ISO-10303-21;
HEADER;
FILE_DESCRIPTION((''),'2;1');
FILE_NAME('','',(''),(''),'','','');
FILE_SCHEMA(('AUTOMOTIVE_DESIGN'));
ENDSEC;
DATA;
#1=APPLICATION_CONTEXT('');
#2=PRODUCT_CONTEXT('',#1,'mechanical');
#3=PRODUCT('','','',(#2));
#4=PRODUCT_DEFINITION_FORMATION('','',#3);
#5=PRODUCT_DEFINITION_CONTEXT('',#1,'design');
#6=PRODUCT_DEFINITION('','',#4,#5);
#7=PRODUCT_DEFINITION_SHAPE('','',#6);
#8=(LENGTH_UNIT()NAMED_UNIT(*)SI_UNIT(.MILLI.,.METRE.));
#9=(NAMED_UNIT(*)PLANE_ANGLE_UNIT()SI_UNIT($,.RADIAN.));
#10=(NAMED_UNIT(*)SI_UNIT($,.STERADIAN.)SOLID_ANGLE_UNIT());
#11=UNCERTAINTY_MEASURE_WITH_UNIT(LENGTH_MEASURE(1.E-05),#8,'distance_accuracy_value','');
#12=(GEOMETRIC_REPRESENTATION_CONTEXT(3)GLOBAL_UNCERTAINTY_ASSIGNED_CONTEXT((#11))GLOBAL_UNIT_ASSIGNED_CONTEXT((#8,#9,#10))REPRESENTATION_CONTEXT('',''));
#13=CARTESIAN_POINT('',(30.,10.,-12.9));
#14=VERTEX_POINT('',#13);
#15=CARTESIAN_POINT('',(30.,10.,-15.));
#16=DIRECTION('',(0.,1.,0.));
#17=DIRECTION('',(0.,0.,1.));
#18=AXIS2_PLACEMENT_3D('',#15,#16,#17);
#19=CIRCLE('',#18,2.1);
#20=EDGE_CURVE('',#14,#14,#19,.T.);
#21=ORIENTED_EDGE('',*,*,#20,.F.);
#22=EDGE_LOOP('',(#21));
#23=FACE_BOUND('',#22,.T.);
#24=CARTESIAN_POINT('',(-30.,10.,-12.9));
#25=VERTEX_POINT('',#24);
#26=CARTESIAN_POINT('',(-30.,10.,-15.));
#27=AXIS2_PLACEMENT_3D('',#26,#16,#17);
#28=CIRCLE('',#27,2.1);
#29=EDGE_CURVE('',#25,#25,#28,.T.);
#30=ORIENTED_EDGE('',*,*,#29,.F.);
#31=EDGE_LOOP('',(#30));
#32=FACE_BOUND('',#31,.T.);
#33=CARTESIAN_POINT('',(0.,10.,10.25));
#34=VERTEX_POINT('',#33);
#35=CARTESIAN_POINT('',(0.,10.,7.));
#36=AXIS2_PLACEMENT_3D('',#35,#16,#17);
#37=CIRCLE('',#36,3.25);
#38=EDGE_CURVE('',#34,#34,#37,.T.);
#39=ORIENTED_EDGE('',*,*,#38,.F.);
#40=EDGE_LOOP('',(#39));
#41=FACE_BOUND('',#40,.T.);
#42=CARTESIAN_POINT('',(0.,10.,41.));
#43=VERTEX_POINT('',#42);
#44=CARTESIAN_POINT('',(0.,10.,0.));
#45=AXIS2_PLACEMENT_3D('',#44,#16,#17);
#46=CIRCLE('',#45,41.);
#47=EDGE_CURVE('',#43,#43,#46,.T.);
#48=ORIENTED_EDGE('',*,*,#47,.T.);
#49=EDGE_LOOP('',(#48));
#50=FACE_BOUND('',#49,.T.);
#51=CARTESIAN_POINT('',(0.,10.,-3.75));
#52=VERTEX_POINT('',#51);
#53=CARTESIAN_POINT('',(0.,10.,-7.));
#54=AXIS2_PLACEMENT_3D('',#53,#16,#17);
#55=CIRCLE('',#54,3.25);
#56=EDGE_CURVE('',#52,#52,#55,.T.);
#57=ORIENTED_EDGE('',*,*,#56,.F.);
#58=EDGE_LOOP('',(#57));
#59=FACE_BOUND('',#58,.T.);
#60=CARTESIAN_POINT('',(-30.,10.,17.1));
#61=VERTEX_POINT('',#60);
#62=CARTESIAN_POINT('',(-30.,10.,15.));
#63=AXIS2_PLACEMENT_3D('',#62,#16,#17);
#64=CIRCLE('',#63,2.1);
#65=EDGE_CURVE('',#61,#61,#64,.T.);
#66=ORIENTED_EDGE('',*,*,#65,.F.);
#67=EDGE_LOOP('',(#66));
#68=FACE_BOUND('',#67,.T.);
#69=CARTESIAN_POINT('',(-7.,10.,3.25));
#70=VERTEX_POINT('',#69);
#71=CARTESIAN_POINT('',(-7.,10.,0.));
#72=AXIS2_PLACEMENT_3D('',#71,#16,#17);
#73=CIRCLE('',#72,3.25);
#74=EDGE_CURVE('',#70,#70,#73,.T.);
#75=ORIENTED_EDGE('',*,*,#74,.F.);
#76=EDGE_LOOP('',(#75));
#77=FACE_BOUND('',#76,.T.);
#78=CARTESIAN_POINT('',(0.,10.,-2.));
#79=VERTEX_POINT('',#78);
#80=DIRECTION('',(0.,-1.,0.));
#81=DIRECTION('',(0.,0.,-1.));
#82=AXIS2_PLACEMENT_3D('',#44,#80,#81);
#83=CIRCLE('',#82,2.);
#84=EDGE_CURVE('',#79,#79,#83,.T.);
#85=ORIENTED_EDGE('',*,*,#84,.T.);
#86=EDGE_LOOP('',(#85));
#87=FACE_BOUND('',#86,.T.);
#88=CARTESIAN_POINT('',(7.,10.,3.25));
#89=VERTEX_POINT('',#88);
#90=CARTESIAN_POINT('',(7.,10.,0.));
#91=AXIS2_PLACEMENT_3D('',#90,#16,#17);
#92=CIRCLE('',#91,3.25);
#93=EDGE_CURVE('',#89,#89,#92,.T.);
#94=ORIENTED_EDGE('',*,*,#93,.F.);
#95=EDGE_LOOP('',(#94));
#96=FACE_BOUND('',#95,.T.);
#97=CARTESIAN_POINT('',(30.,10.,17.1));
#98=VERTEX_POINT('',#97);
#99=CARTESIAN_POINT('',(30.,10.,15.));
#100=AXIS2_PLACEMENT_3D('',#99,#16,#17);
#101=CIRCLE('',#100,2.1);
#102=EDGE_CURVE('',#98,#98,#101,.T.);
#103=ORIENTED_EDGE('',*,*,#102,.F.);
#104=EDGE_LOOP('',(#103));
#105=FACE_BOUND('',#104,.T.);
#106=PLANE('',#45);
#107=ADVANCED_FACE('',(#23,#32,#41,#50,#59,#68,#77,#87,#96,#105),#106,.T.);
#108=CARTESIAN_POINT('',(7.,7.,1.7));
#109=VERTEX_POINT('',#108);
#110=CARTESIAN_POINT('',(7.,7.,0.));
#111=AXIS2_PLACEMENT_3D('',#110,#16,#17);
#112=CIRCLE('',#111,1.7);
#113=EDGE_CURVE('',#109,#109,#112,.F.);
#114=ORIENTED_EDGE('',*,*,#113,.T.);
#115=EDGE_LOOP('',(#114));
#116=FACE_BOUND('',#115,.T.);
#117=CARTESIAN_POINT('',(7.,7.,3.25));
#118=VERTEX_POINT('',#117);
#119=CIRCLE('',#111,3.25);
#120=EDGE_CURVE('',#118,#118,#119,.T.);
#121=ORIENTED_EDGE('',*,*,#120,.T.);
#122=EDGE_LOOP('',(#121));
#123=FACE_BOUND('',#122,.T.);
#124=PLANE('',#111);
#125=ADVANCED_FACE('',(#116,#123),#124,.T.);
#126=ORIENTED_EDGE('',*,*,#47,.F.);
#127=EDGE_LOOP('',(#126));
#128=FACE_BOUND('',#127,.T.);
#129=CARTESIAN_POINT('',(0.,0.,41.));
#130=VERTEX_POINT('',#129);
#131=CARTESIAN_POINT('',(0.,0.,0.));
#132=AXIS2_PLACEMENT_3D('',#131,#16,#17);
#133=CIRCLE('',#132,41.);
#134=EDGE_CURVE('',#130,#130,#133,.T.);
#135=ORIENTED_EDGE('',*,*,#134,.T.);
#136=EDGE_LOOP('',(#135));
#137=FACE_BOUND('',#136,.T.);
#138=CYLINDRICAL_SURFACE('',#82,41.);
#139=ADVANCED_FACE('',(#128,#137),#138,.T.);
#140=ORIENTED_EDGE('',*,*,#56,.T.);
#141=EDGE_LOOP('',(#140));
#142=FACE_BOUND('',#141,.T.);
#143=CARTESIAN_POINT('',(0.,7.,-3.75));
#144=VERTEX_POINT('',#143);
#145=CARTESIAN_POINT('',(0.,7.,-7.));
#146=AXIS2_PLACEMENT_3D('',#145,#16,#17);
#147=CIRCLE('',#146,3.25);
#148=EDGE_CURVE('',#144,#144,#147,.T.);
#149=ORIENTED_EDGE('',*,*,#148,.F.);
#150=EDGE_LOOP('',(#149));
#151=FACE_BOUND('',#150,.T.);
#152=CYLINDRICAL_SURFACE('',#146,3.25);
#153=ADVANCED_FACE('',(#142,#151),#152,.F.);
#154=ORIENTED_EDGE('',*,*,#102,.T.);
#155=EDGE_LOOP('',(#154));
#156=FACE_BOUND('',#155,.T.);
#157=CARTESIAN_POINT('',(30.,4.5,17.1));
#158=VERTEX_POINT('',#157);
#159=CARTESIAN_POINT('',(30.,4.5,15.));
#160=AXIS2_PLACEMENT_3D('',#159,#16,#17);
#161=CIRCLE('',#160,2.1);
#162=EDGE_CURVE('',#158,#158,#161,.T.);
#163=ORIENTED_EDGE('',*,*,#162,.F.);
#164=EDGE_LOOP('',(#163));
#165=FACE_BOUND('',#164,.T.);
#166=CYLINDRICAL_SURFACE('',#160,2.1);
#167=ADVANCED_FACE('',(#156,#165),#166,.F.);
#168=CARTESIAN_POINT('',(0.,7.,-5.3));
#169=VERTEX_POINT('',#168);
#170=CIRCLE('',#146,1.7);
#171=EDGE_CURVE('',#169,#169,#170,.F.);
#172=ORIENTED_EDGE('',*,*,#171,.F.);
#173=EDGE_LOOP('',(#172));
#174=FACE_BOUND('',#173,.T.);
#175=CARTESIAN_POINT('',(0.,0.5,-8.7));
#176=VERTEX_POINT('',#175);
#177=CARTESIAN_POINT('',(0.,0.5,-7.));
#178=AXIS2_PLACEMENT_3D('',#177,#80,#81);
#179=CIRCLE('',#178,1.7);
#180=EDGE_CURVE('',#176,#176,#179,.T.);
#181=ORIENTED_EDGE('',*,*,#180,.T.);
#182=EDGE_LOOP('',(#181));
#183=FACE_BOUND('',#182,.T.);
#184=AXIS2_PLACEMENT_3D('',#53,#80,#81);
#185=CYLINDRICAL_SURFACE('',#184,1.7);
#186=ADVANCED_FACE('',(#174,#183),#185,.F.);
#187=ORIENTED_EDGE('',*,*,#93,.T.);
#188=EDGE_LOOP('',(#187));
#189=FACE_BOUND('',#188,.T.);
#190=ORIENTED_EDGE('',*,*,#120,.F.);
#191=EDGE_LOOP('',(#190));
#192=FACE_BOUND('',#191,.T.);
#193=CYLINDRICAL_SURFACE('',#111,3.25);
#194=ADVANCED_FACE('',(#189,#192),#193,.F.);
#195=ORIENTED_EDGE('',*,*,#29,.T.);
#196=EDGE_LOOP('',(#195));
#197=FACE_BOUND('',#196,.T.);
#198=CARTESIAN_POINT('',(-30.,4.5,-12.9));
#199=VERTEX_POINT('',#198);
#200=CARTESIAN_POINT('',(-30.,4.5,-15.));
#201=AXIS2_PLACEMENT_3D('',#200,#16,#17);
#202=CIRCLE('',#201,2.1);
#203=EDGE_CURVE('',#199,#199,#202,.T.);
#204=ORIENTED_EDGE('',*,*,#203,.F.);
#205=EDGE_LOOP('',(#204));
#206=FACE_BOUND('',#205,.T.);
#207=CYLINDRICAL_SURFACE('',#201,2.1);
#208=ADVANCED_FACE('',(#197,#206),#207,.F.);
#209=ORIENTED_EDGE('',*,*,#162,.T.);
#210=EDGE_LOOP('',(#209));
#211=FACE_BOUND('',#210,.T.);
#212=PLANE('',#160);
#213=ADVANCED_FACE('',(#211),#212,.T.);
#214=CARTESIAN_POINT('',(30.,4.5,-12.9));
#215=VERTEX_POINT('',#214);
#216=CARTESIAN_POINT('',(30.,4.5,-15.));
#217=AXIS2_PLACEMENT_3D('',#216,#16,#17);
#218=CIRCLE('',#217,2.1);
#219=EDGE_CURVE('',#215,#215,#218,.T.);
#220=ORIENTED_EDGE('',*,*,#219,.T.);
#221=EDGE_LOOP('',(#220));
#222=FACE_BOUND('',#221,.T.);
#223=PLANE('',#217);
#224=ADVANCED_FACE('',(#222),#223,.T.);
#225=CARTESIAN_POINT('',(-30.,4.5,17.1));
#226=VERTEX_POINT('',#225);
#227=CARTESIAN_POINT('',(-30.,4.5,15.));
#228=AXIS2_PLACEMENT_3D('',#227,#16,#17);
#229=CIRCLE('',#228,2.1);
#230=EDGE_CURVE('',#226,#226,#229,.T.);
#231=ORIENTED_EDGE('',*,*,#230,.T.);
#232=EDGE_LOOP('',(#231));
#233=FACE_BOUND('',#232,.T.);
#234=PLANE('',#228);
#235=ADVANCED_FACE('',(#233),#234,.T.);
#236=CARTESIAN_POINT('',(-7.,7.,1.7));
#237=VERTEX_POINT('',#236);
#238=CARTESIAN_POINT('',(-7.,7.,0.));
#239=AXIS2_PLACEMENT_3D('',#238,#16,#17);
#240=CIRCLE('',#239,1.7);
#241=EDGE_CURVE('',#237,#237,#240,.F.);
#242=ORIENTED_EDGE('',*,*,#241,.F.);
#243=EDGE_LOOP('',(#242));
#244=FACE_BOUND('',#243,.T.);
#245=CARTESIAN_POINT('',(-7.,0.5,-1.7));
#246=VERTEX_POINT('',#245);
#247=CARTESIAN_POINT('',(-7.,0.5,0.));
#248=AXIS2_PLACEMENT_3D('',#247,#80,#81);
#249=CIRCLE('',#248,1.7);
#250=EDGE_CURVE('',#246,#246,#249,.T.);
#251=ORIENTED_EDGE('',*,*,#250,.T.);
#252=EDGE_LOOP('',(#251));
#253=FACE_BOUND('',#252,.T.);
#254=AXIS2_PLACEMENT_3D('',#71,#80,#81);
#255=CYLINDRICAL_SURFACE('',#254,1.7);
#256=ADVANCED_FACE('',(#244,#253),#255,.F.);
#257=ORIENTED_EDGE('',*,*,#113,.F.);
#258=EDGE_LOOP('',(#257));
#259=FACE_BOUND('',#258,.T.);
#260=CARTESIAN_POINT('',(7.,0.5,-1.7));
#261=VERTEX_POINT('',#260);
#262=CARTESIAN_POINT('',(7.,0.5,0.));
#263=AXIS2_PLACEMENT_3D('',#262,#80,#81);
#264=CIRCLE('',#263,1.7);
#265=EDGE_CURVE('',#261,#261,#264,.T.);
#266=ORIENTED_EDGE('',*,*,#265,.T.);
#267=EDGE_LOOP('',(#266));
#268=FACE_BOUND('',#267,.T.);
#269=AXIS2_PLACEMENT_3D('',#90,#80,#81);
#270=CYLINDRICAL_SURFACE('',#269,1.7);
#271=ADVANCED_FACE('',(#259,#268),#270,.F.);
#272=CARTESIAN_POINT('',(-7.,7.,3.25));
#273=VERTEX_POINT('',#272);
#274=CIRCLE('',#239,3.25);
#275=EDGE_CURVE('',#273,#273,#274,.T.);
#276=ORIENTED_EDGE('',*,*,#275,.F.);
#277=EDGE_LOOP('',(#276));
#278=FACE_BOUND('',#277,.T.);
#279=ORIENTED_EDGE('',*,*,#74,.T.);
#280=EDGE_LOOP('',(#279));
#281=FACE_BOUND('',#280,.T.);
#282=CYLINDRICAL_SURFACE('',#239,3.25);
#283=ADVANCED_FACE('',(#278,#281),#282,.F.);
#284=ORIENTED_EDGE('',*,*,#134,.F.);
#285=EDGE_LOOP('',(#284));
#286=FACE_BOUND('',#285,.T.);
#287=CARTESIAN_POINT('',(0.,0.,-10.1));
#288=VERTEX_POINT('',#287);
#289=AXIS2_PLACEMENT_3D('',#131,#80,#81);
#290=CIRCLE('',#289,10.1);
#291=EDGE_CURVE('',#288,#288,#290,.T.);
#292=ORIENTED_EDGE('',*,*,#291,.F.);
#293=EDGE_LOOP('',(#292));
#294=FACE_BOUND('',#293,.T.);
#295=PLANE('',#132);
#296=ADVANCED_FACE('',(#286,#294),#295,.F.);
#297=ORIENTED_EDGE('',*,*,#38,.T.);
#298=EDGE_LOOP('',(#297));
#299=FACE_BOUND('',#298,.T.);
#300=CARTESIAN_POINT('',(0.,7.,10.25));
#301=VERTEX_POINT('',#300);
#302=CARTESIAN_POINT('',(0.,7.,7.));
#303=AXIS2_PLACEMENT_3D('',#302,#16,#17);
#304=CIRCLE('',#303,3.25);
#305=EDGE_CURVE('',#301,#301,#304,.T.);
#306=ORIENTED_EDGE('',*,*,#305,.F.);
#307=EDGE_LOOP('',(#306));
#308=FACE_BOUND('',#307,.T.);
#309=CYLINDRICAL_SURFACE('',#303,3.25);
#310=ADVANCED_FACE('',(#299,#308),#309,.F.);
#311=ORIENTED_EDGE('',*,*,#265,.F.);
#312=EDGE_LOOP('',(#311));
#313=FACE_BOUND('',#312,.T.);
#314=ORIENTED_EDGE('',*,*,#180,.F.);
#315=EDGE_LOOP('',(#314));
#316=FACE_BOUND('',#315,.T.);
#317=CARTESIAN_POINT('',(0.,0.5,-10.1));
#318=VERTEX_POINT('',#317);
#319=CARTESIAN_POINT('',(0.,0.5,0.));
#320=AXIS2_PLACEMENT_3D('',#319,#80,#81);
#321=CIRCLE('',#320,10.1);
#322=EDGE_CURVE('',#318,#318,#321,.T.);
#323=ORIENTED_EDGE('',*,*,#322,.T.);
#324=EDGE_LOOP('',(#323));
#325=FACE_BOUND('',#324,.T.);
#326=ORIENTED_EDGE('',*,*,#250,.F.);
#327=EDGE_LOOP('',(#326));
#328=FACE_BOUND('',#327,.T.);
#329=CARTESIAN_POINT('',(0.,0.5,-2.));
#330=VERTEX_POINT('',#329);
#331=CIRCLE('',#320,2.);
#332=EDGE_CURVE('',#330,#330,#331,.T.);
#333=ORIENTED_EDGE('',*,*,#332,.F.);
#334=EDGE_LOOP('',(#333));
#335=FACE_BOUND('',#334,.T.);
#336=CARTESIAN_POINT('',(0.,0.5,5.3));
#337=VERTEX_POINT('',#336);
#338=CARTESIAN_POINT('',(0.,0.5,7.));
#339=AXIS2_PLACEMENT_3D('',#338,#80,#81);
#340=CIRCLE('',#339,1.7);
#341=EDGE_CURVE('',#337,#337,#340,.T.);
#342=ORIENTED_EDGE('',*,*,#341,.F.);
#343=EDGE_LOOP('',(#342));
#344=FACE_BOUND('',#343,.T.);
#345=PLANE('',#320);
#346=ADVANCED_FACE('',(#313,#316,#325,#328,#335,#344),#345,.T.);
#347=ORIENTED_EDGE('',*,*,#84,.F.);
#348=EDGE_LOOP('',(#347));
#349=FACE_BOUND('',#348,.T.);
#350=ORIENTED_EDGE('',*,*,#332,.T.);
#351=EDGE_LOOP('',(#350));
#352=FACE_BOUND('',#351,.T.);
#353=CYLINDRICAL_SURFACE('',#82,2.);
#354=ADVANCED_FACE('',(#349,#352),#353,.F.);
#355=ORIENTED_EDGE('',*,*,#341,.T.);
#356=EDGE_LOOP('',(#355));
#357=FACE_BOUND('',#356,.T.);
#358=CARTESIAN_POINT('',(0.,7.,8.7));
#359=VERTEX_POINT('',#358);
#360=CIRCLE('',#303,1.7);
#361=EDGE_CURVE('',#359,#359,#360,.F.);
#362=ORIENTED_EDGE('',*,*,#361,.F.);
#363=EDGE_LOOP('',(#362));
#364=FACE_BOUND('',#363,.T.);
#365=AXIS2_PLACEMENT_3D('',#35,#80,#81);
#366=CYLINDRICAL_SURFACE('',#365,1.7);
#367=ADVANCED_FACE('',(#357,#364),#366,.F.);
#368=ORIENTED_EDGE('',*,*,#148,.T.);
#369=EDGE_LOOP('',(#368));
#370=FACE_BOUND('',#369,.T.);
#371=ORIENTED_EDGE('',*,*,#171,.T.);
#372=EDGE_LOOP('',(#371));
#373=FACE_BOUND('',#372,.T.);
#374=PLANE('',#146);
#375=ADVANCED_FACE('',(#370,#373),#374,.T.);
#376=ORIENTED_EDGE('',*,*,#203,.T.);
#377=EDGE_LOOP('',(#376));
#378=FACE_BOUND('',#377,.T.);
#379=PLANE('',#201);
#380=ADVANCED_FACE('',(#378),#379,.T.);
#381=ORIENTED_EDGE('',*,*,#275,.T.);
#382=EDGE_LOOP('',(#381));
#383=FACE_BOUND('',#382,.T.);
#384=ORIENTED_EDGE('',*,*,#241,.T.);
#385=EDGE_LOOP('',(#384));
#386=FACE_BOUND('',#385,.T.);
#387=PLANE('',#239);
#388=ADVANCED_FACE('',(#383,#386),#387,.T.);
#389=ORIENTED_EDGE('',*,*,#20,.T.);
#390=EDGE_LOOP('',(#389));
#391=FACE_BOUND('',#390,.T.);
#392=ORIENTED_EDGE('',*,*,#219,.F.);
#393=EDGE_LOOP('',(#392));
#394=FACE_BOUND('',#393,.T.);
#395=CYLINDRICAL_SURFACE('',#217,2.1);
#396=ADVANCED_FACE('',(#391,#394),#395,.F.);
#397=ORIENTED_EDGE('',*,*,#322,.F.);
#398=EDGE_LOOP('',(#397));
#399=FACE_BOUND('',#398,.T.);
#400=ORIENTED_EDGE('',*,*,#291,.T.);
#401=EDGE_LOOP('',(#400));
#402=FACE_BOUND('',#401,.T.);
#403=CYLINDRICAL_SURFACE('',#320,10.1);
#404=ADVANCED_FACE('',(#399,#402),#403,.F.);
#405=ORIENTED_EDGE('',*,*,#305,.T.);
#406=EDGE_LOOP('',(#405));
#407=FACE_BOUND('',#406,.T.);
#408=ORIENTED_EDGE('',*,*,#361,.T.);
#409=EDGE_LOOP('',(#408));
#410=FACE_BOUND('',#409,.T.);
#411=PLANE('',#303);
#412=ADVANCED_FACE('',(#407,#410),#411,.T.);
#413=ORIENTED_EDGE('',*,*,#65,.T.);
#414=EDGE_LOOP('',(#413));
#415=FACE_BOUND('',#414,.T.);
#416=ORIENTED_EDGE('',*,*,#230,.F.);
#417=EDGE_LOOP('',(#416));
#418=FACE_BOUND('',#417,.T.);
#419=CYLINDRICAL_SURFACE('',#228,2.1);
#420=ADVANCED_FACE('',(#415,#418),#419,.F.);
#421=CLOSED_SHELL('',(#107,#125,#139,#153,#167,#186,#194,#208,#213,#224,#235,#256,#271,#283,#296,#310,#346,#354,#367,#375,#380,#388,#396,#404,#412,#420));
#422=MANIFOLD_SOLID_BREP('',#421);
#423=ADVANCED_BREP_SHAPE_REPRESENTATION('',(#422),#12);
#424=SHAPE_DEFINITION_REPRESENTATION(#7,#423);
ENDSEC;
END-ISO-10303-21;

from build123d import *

# Parameters (mm, degrees)
SKETCH1_R           = 41
BOSS_EXTRUDE1_DEPTH = 10
SKETCH2_R           = 10.1
CUT_EXTRUDE1_DEPTH  = 0.5
SKETCH3_R           = 1.7
SKETCH3_R_2         = 2
CUT_EXTRUDE2_DEPTH  = 59.755850772
SKETCH4_R           = 3.25
CUT_EXTRUDE3_DEPTH  = 3
SKETCH5_R           = 2.1
CUT_EXTRUDE4_DEPTH  = 5.5


with BuildPart() as part:
    # Sketch1 → Boss-Extrude1 (new body)
    with BuildSketch(Plane(origin=(0, 0, 0), x_dir=(1, 0, 0), z_dir=(0, 1, 0))):
        with Locations(Location((0, 0, 0), (0, 0, 270))):
            Circle(SKETCH1_R)
    extrude(amount=BOSS_EXTRUDE1_DEPTH)

    # Sketch2 → Cut-Extrude1 (cut)
    with BuildSketch(Plane.XZ):
        with Locations(Location((0, 0, 0), (0, 0, 270))):
            Circle(SKETCH2_R)
    extrude(amount=-CUT_EXTRUDE1_DEPTH, mode=Mode.SUBTRACT)

    # Sketch3 → Cut-Extrude2 (cut, through all)
    with BuildSketch(Plane.XZ.offset(-0.5)):
        with Locations(Location((0, 7, 0), (0, 0, 270))):
            Circle(SKETCH3_R)
        with Locations(Location((7, 0, 0), (0, 0, 270))):
            Circle(SKETCH3_R)
        with Locations(Location((0, -7, 0), (0, 0, 270))):
            Circle(SKETCH3_R)
        with Locations(Location((-7, 0, 0), (0, 0, 270))):
            Circle(SKETCH3_R)
        with Locations(Location((0, 0, 0), (0, 0, 270))):
            Circle(SKETCH3_R_2)
    extrude(amount=-CUT_EXTRUDE2_DEPTH, mode=Mode.SUBTRACT)

    # Sketch4 → Cut-Extrude3 (cut)
    with BuildSketch(Plane(origin=(0, 10, 0), x_dir=(1, 0, 0), z_dir=(0, 1, 0))):
        with Locations(Location((0, 7, 0), (0, 0, 270))):
            Circle(SKETCH4_R)
        with Locations(Location((7, 0, 0), (0, 0, 270))):
            Circle(SKETCH4_R)
        with Locations(Location((0, -7, 0), (0, 0, 270))):
            Circle(SKETCH4_R)
        with Locations(Location((-7, 0, 0), (0, 0, 270))):
            Circle(SKETCH4_R)
    extrude(amount=-CUT_EXTRUDE3_DEPTH, mode=Mode.SUBTRACT)

    # Sketch5 → Cut-Extrude4 (cut)
    with BuildSketch(Plane(origin=(0, 10, 0), x_dir=(1, 0, 0), z_dir=(0, 1, 0))):
        with Locations(Location((-30, 15, 0), (0, 0, 270))):
            Circle(SKETCH5_R)
        with Locations(Location((-30, -15, 0), (0, 0, 270))):
            Circle(SKETCH5_R)
        with Locations(Location((30, 15, 0), (0, 0, 270))):
            Circle(SKETCH5_R)
        with Locations(Location((30, -15, 0), (0, 0, 270))):
            Circle(SKETCH5_R)
    extrude(amount=-CUT_EXTRUDE4_DEPTH, mode=Mode.SUBTRACT)


solid = part.part
